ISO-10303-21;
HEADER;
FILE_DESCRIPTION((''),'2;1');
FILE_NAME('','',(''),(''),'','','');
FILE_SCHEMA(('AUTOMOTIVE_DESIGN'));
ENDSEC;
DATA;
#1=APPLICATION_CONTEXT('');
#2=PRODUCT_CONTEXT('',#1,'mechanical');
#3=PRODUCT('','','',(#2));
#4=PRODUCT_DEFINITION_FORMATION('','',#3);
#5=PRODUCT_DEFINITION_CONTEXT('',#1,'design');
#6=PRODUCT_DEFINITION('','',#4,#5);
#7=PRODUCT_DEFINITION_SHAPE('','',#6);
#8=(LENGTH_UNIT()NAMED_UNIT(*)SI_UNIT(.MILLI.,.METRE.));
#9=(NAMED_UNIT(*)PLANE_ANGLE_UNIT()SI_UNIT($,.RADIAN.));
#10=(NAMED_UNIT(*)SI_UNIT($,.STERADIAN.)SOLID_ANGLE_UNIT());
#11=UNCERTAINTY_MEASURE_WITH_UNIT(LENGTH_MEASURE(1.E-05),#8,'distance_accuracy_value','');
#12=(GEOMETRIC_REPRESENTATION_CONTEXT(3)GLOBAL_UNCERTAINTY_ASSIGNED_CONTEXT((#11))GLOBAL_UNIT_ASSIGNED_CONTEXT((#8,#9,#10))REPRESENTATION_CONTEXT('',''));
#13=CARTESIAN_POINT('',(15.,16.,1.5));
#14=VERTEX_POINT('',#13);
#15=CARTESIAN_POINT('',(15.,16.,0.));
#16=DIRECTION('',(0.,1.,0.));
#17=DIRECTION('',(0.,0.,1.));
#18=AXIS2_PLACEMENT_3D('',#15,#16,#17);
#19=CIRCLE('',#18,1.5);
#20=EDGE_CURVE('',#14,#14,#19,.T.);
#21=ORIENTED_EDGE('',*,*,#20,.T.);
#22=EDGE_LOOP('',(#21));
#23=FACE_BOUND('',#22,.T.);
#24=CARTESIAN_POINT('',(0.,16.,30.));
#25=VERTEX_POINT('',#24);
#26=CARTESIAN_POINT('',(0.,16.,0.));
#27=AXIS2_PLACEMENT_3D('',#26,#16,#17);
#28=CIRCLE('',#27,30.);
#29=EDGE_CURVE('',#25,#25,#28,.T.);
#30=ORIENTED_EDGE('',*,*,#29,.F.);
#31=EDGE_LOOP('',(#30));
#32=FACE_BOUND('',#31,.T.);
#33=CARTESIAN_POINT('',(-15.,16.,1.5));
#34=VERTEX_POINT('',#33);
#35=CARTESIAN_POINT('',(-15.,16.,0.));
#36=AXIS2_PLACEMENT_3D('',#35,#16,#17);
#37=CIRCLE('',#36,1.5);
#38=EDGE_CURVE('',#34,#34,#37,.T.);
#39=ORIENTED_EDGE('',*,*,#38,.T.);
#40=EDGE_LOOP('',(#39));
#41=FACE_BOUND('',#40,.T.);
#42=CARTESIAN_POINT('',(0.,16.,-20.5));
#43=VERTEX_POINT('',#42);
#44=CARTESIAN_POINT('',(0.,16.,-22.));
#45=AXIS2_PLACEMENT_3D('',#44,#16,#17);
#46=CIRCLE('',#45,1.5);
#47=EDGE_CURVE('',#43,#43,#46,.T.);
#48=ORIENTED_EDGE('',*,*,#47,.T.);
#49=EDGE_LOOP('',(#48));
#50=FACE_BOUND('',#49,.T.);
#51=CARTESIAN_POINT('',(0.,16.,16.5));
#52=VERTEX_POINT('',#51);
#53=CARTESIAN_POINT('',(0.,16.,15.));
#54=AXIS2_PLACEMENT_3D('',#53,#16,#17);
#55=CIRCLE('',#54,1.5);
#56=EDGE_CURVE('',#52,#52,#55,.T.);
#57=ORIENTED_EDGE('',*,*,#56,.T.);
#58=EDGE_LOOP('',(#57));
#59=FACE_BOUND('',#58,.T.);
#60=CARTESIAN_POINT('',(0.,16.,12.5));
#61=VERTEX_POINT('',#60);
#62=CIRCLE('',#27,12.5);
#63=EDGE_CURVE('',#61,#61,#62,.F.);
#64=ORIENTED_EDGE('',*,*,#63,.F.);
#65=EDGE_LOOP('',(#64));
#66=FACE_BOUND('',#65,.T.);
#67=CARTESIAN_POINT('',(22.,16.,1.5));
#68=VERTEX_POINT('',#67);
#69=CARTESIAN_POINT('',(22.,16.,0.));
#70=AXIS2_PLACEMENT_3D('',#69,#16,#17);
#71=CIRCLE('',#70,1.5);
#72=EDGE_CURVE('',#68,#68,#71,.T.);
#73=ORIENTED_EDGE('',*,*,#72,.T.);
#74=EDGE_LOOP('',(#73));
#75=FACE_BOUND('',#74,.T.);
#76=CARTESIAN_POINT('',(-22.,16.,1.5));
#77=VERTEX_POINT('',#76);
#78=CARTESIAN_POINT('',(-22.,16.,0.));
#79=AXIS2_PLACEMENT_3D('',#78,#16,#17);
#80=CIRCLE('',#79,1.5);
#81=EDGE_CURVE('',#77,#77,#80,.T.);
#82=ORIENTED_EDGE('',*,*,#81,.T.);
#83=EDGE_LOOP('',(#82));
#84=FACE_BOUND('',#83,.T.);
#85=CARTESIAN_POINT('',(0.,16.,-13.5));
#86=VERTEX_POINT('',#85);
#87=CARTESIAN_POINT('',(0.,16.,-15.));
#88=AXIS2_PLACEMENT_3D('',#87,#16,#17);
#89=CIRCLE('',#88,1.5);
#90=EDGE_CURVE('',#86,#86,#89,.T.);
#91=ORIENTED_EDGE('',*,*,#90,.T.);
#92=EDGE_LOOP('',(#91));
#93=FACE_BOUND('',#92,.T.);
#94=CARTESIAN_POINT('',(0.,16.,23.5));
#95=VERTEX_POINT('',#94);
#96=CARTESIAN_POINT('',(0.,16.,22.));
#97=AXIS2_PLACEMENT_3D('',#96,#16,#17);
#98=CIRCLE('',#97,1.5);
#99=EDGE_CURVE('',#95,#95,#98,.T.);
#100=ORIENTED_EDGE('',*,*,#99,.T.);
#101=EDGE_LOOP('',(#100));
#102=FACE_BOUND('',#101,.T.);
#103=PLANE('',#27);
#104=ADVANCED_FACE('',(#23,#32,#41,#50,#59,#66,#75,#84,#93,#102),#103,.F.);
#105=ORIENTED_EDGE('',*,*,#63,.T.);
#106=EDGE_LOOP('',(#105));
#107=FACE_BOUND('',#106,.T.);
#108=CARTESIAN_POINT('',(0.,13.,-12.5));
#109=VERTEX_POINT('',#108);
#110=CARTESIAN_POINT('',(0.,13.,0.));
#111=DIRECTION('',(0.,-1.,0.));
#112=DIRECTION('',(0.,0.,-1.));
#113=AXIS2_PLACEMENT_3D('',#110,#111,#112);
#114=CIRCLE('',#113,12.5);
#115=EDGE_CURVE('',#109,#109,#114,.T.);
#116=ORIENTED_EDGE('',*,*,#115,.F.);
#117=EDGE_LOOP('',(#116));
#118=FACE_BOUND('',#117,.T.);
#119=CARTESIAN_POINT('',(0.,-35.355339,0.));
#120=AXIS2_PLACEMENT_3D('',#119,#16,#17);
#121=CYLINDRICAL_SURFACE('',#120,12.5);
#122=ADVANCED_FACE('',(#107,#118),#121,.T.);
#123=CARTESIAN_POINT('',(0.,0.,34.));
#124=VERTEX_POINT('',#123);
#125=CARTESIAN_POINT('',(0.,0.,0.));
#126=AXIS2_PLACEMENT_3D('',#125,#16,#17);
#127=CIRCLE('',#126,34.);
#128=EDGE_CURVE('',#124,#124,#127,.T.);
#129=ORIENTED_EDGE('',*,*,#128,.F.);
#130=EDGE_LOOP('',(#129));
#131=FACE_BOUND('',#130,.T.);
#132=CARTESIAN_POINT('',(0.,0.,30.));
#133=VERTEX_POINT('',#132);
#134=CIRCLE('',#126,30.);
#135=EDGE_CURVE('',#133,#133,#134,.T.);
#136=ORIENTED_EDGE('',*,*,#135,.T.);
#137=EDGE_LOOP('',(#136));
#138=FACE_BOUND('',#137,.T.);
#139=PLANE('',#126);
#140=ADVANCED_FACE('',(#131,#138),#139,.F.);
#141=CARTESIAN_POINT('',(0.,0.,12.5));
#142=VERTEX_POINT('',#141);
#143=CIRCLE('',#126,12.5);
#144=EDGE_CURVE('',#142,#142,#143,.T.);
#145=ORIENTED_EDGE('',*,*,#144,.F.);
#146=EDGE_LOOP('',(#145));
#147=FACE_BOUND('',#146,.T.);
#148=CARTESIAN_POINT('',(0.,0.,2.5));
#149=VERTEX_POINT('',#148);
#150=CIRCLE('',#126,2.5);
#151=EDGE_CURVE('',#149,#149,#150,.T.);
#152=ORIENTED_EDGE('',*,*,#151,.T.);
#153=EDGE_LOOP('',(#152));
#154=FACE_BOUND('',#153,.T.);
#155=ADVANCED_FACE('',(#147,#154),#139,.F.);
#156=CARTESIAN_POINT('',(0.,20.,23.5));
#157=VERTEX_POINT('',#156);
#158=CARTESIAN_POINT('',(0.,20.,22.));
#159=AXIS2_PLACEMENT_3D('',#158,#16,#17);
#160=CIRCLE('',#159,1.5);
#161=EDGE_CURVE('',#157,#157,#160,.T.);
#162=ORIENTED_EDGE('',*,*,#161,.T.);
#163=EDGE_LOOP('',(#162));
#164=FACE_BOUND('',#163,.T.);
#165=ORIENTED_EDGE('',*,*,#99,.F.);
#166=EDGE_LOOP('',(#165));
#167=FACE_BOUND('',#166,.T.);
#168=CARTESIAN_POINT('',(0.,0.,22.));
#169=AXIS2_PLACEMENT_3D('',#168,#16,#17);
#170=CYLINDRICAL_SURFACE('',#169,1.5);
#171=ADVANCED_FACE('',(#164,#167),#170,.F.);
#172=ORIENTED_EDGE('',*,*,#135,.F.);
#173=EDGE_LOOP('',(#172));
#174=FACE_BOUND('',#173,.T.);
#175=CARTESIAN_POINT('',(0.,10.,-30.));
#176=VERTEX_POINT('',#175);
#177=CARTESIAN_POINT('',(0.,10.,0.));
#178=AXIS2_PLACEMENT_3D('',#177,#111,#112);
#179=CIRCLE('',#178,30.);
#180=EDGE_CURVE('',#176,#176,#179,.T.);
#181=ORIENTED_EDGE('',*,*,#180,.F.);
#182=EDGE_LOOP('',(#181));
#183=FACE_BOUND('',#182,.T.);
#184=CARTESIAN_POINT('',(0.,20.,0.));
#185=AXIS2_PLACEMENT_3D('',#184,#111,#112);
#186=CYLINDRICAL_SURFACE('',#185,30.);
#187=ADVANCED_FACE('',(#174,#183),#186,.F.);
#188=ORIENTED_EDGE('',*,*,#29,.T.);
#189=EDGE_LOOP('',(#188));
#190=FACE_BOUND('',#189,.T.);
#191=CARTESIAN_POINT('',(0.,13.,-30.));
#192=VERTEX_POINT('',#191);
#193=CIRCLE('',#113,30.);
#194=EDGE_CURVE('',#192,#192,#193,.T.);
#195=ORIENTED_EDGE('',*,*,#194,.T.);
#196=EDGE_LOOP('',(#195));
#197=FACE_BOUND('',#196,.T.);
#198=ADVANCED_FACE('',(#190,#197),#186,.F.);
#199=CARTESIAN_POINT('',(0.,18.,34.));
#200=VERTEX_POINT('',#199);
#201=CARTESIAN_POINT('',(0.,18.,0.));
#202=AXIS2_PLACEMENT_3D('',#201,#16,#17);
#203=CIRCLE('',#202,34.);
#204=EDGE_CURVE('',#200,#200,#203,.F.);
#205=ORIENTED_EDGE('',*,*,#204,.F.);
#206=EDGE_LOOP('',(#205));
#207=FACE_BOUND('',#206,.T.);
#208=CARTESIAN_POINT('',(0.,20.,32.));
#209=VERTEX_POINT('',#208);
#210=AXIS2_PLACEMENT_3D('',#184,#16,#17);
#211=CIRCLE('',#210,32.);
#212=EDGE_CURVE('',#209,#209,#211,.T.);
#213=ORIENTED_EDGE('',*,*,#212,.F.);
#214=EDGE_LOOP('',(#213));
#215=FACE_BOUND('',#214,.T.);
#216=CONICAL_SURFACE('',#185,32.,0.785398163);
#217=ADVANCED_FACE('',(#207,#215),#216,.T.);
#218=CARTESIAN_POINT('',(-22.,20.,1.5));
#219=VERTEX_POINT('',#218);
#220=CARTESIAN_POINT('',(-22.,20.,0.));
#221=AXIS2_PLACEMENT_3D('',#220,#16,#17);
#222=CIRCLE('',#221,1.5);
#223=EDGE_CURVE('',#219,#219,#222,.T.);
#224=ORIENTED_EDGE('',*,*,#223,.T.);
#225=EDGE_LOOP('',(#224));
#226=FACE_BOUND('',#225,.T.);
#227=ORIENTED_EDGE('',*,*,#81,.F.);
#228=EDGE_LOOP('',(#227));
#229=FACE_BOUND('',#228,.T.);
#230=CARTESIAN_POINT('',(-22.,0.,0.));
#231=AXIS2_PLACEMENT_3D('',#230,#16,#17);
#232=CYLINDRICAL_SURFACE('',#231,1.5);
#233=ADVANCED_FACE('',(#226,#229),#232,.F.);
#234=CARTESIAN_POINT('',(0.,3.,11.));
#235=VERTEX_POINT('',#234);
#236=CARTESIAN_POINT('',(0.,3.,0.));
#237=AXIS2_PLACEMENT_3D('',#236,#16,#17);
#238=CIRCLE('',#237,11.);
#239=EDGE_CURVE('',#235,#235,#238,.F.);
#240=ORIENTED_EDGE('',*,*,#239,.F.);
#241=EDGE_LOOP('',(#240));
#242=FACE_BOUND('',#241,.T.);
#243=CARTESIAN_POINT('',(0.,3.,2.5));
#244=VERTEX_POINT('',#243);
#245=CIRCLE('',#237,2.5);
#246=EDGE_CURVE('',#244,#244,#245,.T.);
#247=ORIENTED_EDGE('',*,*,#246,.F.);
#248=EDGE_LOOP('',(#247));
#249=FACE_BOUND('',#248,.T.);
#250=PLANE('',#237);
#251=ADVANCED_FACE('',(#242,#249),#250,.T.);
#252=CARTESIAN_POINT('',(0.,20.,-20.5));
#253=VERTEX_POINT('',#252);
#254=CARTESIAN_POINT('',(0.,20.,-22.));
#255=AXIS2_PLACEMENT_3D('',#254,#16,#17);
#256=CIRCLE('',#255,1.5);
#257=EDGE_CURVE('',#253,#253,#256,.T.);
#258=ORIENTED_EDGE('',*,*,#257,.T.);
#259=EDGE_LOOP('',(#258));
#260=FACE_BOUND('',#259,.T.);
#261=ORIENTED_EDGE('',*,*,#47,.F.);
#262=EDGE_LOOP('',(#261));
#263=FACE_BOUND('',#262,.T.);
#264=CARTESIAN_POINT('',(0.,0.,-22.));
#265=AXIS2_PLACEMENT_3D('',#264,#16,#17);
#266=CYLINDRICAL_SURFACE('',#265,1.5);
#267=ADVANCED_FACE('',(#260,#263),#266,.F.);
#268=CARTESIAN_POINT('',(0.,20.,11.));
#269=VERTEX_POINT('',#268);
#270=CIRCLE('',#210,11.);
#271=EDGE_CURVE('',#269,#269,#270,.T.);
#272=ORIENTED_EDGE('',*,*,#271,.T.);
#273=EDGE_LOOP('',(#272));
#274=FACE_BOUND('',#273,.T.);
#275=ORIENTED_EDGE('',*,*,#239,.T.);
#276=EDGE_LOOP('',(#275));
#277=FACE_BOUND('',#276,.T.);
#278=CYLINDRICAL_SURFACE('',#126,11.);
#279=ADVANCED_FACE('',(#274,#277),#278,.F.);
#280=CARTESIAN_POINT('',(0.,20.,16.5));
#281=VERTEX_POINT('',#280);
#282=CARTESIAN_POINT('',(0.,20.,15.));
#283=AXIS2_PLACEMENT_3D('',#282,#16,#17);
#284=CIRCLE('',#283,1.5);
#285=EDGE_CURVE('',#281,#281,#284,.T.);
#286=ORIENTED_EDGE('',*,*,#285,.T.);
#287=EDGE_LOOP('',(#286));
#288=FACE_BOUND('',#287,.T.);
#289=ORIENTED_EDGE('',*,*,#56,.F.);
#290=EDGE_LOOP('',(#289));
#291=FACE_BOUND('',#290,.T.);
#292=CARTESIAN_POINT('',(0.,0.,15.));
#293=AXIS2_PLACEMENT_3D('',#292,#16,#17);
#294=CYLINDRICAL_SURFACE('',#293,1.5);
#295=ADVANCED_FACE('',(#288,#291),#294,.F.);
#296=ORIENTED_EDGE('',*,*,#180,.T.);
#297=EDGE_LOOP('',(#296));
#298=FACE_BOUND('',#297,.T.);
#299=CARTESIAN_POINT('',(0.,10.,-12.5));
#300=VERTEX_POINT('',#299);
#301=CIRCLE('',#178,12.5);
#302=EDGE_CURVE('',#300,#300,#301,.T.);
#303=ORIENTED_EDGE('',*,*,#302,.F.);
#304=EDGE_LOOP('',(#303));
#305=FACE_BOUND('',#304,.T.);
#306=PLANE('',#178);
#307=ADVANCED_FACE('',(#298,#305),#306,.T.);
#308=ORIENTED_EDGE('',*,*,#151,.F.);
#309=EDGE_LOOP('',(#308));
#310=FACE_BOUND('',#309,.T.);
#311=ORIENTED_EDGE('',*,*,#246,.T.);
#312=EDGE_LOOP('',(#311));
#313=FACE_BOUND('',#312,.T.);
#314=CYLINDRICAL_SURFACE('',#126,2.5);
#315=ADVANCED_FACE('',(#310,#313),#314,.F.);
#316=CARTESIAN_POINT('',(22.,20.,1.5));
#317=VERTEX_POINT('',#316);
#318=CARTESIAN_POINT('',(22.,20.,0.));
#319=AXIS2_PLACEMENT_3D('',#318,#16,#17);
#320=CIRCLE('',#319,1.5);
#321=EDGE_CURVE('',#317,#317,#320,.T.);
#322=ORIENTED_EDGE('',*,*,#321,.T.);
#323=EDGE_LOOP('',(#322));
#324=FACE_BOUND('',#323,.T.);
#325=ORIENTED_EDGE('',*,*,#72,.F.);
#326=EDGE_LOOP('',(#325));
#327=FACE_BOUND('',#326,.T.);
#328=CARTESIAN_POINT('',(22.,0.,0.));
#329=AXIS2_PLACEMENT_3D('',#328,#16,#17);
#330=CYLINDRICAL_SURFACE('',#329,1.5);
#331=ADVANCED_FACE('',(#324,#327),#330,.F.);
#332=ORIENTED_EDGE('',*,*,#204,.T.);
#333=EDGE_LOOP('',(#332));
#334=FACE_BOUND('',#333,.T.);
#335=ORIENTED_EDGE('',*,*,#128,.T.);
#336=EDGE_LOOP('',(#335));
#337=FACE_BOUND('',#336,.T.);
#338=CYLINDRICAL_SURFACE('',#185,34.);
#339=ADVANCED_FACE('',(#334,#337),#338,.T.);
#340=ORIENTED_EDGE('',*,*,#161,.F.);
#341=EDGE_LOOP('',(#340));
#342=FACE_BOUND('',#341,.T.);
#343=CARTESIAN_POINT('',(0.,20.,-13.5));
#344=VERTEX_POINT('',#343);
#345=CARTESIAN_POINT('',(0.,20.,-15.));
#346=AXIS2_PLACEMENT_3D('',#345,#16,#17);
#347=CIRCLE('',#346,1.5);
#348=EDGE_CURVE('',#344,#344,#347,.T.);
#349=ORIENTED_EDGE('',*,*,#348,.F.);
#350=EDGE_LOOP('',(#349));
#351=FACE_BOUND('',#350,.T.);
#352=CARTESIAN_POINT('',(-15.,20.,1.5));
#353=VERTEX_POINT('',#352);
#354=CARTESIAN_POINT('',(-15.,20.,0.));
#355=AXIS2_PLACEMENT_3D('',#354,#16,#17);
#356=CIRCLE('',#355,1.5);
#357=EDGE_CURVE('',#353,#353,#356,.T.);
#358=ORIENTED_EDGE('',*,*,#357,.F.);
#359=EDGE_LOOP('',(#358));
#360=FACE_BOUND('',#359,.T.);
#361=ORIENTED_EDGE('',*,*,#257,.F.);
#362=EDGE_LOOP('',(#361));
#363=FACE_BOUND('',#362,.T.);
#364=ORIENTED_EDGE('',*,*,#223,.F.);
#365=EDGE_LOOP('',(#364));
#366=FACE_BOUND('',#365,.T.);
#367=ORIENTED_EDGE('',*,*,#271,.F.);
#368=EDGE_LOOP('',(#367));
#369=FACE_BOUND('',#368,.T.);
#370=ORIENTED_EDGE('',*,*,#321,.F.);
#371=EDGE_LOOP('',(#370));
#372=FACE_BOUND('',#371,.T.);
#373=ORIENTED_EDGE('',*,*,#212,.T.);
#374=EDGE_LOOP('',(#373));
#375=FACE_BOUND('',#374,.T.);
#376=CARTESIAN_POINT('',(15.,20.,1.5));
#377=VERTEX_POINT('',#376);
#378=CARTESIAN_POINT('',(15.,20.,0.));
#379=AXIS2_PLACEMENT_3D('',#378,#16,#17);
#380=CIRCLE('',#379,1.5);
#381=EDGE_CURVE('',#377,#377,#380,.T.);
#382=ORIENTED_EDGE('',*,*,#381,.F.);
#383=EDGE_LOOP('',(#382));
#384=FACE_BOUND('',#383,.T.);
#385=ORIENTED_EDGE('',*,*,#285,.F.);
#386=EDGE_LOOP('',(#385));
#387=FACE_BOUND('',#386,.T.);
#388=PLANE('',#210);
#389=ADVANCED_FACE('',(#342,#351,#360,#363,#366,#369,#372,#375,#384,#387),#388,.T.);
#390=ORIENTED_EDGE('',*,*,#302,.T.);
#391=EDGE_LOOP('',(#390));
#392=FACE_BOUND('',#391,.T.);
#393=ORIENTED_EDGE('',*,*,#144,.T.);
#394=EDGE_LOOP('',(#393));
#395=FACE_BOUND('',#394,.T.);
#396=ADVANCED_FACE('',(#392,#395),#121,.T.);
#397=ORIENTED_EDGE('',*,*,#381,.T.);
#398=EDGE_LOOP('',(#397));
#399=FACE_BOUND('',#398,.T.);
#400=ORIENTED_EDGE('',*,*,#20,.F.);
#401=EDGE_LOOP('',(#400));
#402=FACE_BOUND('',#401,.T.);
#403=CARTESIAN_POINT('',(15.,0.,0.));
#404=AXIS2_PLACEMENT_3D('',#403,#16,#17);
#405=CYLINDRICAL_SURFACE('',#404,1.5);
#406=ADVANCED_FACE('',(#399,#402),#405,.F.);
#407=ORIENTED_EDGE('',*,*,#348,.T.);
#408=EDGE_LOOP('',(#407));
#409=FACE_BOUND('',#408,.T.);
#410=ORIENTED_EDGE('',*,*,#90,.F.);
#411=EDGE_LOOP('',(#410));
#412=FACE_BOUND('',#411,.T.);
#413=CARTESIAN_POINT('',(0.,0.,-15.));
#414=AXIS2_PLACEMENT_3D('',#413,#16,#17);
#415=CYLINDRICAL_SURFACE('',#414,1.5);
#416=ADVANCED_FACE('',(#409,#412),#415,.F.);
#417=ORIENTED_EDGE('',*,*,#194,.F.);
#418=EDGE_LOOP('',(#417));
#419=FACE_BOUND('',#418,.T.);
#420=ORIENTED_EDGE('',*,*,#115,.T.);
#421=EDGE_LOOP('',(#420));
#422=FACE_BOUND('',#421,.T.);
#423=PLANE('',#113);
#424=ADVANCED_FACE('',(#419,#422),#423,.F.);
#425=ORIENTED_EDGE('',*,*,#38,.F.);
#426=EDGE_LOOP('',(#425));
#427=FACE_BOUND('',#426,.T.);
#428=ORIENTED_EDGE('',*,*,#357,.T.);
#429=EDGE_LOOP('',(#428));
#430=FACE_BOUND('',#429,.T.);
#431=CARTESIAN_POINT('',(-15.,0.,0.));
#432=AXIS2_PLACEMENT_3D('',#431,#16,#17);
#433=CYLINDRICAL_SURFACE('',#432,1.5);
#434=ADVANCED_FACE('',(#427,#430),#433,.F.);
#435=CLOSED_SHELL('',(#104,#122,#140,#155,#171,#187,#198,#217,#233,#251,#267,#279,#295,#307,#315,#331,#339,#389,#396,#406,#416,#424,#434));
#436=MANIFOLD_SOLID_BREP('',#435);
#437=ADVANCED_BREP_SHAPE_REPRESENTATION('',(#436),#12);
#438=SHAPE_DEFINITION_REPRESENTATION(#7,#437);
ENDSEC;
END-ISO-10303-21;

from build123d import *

# Parameters (mm, degrees)
SKETCH_1_R          = 34
SKETCH_1_R_2        = 30
EXTRUDE_1_DEPTH     = 20
EXTRUDE_START       = 20
SKETCH_1_2_R        = 34
SKETCH_1_2_R_2      = 30
EXTRUDE_2_DEPTH     = 4
SKETCH_2_R          = 11
SKETCH_2_R_2        = 1.5
CUT_EXTRUDE_1_DEPTH = 53.076866265
CHAMFER_1_SIZE      = 2
SKETCH_3_R          = 12.5
SKETCH_3_R_2        = 11
EXTRUDE_3_DEPTH     = 16
EXTRUDE_START_2     = 16
SKETCH_3_2_R        = 12.5
SKETCH_3_2_R_2      = 11
EXTRUDE_4_DEPTH     = 3
SKETCH_5_R          = 2.5
CUT_EXTRUDE_2_DEPTH = 52
EXTRUDE_START_3     = 3
SKETCH_6_R          = 30
SKETCH_6_R_2        = 12.5
EXTRUDE_5_DEPTH     = 3


with BuildPart() as part:
    # 草图1 → 凸台-拉伸1 (new body)
    with BuildSketch(Plane(origin=(0, 0, 0), x_dir=(1, 0, 0), z_dir=(0, 1, 0))):
        with Locations(Location((0, 0, 0), (0, 0, 270))):
            Circle(SKETCH_1_R)
        with Locations(Location((0, 0, 0), (0, 0, 270))):
            Circle(SKETCH_1_R_2, mode=Mode.SUBTRACT)
    extrude(amount=EXTRUDE_1_DEPTH)

    # 草图1<2> → 凸台-拉伸2 (add)
    with BuildSketch(Plane(origin=(0, 0, 0), x_dir=(1, 0, 0), z_dir=(0, 1, 0)).offset(EXTRUDE_START)):
        with Locations(Location((0, 0, 0), (0, 0, 270))):
            Circle(SKETCH_1_2_R)
        with Locations(Location((0, 0, 0), (0, 0, 270))):
            Circle(SKETCH_1_2_R_2, mode=Mode.SUBTRACT)
        with Locations(Location((0, 0, 0), (0, 0, 270))):
            Circle(SKETCH_1_2_R_2)
    extrude(amount=-EXTRUDE_2_DEPTH)

    # 草图2 → 切除-拉伸1 (cut, through all)
    with BuildSketch(Plane(origin=(0, 20, 0), x_dir=(1, 0, 0), z_dir=(0, 1, 0))):
        with Locations(Location((0, 0, 0), (0, 0, 270))):
            Circle(SKETCH_2_R)
        with Locations(Location((0, 15, 0), (0, 0, 270))):
            Circle(SKETCH_2_R_2)
        with Locations(Location((0, 22, 0), (0, 0, 270))):
            Circle(SKETCH_2_R_2)
        with Locations(Location((15, 0, 0), (0, 0, 270))):
            Circle(SKETCH_2_R_2)
        with Locations(Location((22, 0, 0), (0, 0, 270))):
            Circle(SKETCH_2_R_2)
        with Locations(Location((0, -15, 0), (0, 0, 270))):
            Circle(SKETCH_2_R_2)
        with Locations(Location((0, -22, 0), (0, 0, 270))):
            Circle(SKETCH_2_R_2)
        with Locations(Location((-15, 0, 0), (0, 0, 270))):
            Circle(SKETCH_2_R_2)
        with Locations(Location((-22, 0, 0), (0, 0, 270))):
            Circle(SKETCH_2_R_2)
    extrude(amount=-CUT_EXTRUDE_1_DEPTH, mode=Mode.SUBTRACT)

    # 倒角1
    chamfer_1_edges = [part.edges().sort_by_distance(p)[0] for p in [
        (0, 20, -34),
    ]]
    chamfer(chamfer_1_edges, length=CHAMFER_1_SIZE)

    # 草图3 → 凸台-拉伸3 (add)
    with BuildSketch(Plane.XZ.offset(-16)):
        with Locations(Location((0, 0, 0), (0, 0, 90))):
            Circle(SKETCH_3_R)
        with Locations(Location((0, 0, 0), (0, 0, 90))):
            Circle(SKETCH_3_R_2, mode=Mode.SUBTRACT)
    extrude(amount=EXTRUDE_3_DEPTH)

    # 草图3<2> → 凸台-拉伸4 (add)
    with BuildSketch(Plane.XZ.offset(-16).offset(EXTRUDE_START_2)):
        with Locations(Location((0, 0, 0), (0, 0, 90))):
            Circle(SKETCH_3_2_R)
        with Locations(Location((0, 0, 0), (0, 0, 90))):
            Circle(SKETCH_3_2_R_2, mode=Mode.SUBTRACT)
        with Locations(Location((0, 0, 0), (0, 0, 90))):
            Circle(SKETCH_3_2_R_2)
    extrude(amount=-EXTRUDE_4_DEPTH)

    # 草图5 → 切除-拉伸2 (cut, through all)
    with BuildSketch(Plane(origin=(0, 3, 0), x_dir=(1, 0, 0), z_dir=(0, 1, 0))):
        with Locations(Location((0, 0, 0), (0, 0, 270))):
            Circle(SKETCH_5_R)
    extrude(amount=-CUT_EXTRUDE_2_DEPTH, mode=Mode.SUBTRACT)

    # 草图6 → 凸台-拉伸5 (add)
    with BuildSketch(Plane.XZ.offset(-16).offset(EXTRUDE_START_3)):
        with Locations(Location((0, 0, 0), (0, 0, 270))):
            Circle(SKETCH_6_R)
        with Locations(Location((0, 0, 0), (0, 0, 90))):
            Circle(SKETCH_6_R_2, mode=Mode.SUBTRACT)
    extrude(amount=EXTRUDE_5_DEPTH)


solid = part.part
